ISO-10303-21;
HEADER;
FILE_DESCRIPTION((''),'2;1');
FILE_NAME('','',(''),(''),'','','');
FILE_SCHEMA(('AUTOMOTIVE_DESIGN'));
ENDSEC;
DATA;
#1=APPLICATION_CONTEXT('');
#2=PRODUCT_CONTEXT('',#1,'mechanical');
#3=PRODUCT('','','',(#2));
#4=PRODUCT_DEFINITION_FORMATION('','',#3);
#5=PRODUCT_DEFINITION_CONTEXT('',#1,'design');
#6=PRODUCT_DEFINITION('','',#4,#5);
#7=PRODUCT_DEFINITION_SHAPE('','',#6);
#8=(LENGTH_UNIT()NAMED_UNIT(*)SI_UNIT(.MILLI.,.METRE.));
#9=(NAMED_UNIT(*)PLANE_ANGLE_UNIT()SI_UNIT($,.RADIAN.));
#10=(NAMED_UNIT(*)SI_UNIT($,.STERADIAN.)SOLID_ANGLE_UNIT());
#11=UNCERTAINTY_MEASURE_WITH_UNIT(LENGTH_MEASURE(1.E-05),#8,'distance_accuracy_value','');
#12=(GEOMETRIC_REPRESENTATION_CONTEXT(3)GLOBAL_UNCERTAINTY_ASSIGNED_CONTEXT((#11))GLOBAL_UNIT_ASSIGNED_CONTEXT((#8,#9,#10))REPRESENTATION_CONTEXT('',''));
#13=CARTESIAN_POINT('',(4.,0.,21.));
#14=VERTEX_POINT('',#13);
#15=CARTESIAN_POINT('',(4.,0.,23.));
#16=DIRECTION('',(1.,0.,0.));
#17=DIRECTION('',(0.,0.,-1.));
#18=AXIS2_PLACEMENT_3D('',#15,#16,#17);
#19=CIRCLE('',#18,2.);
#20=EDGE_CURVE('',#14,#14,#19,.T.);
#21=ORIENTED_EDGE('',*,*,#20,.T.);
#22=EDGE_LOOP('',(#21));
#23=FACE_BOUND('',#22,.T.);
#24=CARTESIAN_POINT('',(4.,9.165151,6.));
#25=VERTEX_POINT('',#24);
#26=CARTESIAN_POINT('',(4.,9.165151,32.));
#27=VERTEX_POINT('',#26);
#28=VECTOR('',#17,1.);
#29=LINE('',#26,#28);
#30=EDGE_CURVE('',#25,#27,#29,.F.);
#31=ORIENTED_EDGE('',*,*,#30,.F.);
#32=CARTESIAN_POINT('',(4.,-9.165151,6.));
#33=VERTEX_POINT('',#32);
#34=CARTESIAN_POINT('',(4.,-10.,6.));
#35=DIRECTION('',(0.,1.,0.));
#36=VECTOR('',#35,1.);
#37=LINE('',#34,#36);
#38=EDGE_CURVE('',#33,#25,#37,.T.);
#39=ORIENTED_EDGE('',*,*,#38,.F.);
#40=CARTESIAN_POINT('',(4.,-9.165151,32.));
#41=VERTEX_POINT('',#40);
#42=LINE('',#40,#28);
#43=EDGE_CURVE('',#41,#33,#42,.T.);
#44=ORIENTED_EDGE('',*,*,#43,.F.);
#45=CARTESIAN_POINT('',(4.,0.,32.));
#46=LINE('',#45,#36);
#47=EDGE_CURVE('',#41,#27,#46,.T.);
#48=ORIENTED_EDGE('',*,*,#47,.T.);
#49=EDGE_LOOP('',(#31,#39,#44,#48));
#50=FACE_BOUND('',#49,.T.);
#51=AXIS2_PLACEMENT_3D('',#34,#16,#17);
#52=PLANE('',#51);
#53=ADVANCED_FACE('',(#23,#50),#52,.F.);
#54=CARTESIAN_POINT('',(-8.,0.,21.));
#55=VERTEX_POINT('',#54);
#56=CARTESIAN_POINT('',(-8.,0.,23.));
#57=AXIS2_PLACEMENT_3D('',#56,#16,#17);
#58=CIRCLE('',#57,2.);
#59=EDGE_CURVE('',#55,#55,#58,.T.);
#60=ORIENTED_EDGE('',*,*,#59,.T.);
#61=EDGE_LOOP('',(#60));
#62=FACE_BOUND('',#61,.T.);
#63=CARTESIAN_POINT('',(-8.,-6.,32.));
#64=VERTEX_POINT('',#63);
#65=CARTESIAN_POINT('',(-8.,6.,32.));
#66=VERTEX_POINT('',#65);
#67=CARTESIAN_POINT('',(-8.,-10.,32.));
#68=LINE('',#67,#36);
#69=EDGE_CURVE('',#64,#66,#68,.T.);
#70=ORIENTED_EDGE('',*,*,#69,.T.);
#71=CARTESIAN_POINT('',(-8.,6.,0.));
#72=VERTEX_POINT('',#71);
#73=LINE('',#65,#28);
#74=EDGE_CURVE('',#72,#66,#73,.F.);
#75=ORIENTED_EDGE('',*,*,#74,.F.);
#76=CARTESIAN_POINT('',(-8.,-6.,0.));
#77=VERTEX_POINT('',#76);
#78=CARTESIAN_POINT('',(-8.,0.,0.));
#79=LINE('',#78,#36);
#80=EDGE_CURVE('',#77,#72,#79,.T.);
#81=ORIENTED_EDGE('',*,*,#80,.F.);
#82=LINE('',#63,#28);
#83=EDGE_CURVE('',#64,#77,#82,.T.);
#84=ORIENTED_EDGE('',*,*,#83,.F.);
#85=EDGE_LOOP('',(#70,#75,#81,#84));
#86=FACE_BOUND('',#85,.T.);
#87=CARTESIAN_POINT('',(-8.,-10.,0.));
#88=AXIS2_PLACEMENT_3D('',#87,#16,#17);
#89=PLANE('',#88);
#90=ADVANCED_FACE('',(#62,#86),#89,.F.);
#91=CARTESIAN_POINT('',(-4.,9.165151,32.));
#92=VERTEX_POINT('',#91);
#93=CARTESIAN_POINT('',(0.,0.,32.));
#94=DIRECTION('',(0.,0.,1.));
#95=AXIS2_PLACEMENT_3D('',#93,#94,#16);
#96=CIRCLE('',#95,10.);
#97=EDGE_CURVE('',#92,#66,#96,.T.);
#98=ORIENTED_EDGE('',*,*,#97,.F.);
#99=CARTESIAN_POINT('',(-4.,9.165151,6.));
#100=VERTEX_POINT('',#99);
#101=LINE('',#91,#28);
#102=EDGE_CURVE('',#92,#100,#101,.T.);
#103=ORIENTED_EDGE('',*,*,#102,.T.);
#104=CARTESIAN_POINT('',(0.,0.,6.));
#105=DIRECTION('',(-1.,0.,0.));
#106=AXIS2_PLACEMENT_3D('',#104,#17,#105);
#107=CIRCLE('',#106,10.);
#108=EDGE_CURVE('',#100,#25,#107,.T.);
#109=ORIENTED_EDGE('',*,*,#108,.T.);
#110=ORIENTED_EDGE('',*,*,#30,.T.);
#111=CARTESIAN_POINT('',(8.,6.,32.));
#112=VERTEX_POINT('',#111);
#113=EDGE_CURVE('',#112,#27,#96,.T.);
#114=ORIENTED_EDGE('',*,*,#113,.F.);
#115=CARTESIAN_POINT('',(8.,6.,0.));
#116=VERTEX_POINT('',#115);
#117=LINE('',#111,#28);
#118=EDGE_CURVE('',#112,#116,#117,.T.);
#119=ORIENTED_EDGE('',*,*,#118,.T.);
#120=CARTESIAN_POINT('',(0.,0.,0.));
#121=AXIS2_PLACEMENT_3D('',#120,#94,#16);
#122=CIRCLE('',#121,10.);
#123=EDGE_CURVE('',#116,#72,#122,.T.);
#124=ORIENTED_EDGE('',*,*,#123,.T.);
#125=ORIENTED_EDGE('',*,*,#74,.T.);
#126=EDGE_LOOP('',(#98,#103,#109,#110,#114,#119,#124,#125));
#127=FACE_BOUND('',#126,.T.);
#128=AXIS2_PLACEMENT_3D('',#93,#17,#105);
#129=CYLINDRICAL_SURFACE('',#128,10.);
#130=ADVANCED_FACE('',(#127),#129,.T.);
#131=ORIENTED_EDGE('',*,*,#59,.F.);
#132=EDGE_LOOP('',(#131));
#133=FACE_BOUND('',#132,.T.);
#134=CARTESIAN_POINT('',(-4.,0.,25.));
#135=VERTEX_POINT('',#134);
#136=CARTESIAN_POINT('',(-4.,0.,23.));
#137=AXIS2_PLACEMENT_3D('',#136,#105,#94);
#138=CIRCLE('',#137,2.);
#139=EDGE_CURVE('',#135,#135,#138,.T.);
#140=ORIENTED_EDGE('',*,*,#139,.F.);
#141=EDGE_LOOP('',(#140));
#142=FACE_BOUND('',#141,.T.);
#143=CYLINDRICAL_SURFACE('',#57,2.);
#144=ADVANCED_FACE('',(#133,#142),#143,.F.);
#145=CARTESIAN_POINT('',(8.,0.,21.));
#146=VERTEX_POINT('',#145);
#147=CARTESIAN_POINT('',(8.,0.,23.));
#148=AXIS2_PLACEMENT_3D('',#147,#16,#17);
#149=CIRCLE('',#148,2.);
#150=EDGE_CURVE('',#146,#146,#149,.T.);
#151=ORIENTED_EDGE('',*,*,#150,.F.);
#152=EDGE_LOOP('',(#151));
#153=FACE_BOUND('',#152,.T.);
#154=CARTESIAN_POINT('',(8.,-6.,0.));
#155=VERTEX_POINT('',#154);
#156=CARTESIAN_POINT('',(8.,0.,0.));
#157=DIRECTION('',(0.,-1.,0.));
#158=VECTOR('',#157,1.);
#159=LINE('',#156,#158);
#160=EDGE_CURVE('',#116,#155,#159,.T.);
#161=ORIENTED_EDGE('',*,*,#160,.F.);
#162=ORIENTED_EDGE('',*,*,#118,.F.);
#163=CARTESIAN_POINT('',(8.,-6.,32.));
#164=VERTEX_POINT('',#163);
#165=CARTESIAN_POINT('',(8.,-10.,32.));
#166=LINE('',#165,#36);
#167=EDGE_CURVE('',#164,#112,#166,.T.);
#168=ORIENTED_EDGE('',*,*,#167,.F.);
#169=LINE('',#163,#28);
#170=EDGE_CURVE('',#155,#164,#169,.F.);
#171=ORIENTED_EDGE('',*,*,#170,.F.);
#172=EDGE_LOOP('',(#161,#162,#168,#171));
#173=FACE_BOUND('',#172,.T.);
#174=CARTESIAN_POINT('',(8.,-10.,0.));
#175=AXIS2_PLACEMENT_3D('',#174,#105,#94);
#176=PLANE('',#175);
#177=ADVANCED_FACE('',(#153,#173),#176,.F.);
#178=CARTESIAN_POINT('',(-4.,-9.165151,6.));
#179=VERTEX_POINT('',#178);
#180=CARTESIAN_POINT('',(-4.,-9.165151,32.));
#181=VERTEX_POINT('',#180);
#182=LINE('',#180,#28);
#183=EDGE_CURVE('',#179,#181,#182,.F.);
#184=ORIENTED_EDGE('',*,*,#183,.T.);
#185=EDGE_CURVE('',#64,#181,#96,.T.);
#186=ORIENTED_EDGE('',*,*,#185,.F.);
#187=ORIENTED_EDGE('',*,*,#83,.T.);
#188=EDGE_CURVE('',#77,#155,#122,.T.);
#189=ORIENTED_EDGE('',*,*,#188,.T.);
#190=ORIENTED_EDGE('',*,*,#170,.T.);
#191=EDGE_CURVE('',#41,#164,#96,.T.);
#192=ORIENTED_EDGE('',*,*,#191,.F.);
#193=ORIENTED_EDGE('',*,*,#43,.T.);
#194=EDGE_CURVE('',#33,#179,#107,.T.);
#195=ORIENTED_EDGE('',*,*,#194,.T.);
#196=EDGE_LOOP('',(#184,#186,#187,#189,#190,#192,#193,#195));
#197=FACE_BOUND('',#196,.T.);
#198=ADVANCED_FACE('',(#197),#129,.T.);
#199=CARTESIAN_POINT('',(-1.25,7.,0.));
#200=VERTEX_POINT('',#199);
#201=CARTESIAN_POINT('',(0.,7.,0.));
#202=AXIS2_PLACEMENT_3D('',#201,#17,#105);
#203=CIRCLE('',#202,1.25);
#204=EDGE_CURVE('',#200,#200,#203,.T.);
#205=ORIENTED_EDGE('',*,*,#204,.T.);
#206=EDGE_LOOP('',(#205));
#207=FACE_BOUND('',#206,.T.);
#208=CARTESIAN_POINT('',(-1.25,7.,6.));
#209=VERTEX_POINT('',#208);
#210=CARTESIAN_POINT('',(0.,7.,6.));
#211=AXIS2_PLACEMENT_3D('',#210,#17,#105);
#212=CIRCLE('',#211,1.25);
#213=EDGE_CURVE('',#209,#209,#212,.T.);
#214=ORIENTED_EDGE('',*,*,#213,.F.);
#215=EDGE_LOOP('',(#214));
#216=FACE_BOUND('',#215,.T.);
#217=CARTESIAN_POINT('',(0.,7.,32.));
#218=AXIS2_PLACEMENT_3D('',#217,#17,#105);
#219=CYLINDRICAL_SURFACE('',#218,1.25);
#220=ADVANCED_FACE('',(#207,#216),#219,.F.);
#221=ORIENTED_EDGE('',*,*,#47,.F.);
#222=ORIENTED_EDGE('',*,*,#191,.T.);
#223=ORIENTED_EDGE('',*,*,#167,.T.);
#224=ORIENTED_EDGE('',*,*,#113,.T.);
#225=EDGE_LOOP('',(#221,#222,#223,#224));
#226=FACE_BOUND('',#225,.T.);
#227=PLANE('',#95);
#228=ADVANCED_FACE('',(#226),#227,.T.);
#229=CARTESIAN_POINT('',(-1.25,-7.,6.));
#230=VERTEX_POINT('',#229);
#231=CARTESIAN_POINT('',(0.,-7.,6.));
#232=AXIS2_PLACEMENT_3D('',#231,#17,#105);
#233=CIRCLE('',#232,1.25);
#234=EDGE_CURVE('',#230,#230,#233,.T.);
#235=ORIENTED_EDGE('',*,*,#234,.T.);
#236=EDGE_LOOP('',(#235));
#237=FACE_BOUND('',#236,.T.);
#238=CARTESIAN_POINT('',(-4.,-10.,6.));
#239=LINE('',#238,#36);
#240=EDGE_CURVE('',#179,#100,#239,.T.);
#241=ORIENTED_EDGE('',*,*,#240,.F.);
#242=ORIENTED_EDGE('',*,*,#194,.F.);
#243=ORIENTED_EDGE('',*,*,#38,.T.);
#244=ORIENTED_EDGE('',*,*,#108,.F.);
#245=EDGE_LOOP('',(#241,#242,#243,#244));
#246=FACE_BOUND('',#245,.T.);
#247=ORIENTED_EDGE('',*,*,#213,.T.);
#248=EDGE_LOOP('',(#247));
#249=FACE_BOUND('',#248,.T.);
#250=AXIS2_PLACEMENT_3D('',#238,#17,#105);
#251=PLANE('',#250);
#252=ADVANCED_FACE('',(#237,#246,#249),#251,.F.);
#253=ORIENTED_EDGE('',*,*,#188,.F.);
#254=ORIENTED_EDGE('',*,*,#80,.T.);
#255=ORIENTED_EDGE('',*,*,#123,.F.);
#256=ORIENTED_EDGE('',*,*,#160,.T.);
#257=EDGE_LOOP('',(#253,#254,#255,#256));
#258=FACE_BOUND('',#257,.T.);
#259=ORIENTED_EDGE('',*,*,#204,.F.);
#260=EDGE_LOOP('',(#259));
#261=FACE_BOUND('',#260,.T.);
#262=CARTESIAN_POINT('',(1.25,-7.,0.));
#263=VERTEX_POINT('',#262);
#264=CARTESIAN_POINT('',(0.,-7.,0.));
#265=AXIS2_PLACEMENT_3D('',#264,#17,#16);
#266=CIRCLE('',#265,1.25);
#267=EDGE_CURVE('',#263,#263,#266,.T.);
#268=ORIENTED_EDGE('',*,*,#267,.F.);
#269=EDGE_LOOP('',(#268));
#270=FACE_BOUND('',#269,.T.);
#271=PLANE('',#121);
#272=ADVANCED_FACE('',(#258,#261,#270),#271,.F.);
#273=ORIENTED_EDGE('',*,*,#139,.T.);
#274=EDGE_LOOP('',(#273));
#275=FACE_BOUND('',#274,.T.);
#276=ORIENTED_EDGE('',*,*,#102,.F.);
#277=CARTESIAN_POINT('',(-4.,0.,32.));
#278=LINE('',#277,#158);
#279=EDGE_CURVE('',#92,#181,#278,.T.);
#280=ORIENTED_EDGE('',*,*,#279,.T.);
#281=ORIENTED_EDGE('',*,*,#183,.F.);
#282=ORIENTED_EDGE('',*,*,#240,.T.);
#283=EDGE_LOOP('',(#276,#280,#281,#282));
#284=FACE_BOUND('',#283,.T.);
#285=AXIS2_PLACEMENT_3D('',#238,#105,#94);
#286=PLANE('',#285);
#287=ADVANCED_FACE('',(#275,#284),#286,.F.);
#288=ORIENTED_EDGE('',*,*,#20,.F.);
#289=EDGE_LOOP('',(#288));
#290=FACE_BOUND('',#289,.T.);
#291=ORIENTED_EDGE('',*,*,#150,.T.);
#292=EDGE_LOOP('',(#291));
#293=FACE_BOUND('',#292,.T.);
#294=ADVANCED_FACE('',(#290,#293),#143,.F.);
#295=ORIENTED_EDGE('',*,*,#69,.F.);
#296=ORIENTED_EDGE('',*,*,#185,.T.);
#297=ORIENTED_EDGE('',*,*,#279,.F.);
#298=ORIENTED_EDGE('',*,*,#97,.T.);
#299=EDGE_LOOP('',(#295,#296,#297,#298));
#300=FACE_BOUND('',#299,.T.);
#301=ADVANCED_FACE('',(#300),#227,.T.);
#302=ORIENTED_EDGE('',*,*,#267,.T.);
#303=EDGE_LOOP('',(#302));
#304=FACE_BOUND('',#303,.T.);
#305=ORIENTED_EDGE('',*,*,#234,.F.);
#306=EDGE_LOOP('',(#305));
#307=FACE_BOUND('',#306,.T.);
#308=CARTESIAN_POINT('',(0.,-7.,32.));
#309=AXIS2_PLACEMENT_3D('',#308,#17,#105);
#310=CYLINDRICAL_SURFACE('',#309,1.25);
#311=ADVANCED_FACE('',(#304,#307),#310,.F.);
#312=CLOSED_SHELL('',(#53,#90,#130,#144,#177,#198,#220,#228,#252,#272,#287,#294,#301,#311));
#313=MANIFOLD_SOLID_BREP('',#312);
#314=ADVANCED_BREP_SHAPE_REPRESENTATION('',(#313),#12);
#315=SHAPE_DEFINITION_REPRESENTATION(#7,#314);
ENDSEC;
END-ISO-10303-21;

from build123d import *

# Parameters (mm, degrees)
SKETCH_1_R               = 10
EXTRUDE_2_DEPTH          = 32
CUT_EXTRUDE_1_DEPTH      = 35.985711369
CUT_EXTRUDE_1_DEPTH_BACK = 35.985711369
SKETCH_3_W               = 8
SKETCH_3_H               = 26
CUT_EXTRUDE_2_DEPTH      = 35.985711369
CUT_EXTRUDE_2_DEPTH_BACK = 35.985711369
SKETCH_4_W               = 2
SKETCH_4_H               = 32
SKETCH_5_R               = 1.25
CUT_EXTRUDE_3_DEPTH      = 35.467375879
CUT_EXTRUDE_4_DEPTH      = 35.467375879
CUT_EXTRUDE_4_DEPTH_BACK = 35.467375879
SKETCH_6_R               = 2


with BuildPart() as part:
    # 草图1 → 凸台-拉伸2 (new body)
    with BuildSketch(Plane.XY):
        Circle(SKETCH_1_R)
    extrude(amount=EXTRUDE_2_DEPTH)

    # 草图3 → 切除-拉伸1 (cut, two sides: drawn at the far end of the back side and taken through both)
    with BuildSketch(Plane(origin=(0, 0, 0), x_dir=(1, 0, 0), z_dir=(0, 1, 0)).offset(-CUT_EXTRUDE_1_DEPTH_BACK)):
        with Locations((0, -19)):
            Rectangle(SKETCH_3_W, SKETCH_3_H)
    extrude(amount=CUT_EXTRUDE_1_DEPTH + CUT_EXTRUDE_1_DEPTH_BACK, mode=Mode.SUBTRACT)

    # 草图4 → 切除-拉伸2 (cut, two sides: drawn at the far end of the back side and taken through both)
    with BuildSketch(Plane(origin=(0, 0, 0), x_dir=(1, 0, 0), z_dir=(0, 1, 0)).offset(-CUT_EXTRUDE_2_DEPTH_BACK)):
        with Locations((-9, -16)):
            Rectangle(SKETCH_4_W, SKETCH_4_H)
        with Locations((9, -16)):
            Rectangle(SKETCH_4_W, SKETCH_4_H)
    extrude(amount=CUT_EXTRUDE_2_DEPTH + CUT_EXTRUDE_2_DEPTH_BACK, mode=Mode.SUBTRACT)

    # 草图5 → 切除-拉伸3 (cut, through all)
    with BuildSketch(Plane(origin=(0, 0, 0), x_dir=(-1, 0, 0), z_dir=(0, 0, -1))):
        with Locations((0, 7)):
            Circle(SKETCH_5_R)
        with Locations((0, -7)):
            Circle(SKETCH_5_R)
    extrude(amount=-CUT_EXTRUDE_3_DEPTH, mode=Mode.SUBTRACT)

    # 草图6 → 切除-拉伸4 (cut, two sides: drawn at the far end of the back side and taken through both)
    with BuildSketch(Plane(origin=(0, 0, 0), x_dir=(0, 0, -1), z_dir=(1, 0, 0)).offset(-CUT_EXTRUDE_4_DEPTH_BACK)):
        with Locations((-23, 0)):
            Circle(SKETCH_6_R)
    extrude(amount=CUT_EXTRUDE_4_DEPTH + CUT_EXTRUDE_4_DEPTH_BACK, mode=Mode.SUBTRACT)


solid = part.part
